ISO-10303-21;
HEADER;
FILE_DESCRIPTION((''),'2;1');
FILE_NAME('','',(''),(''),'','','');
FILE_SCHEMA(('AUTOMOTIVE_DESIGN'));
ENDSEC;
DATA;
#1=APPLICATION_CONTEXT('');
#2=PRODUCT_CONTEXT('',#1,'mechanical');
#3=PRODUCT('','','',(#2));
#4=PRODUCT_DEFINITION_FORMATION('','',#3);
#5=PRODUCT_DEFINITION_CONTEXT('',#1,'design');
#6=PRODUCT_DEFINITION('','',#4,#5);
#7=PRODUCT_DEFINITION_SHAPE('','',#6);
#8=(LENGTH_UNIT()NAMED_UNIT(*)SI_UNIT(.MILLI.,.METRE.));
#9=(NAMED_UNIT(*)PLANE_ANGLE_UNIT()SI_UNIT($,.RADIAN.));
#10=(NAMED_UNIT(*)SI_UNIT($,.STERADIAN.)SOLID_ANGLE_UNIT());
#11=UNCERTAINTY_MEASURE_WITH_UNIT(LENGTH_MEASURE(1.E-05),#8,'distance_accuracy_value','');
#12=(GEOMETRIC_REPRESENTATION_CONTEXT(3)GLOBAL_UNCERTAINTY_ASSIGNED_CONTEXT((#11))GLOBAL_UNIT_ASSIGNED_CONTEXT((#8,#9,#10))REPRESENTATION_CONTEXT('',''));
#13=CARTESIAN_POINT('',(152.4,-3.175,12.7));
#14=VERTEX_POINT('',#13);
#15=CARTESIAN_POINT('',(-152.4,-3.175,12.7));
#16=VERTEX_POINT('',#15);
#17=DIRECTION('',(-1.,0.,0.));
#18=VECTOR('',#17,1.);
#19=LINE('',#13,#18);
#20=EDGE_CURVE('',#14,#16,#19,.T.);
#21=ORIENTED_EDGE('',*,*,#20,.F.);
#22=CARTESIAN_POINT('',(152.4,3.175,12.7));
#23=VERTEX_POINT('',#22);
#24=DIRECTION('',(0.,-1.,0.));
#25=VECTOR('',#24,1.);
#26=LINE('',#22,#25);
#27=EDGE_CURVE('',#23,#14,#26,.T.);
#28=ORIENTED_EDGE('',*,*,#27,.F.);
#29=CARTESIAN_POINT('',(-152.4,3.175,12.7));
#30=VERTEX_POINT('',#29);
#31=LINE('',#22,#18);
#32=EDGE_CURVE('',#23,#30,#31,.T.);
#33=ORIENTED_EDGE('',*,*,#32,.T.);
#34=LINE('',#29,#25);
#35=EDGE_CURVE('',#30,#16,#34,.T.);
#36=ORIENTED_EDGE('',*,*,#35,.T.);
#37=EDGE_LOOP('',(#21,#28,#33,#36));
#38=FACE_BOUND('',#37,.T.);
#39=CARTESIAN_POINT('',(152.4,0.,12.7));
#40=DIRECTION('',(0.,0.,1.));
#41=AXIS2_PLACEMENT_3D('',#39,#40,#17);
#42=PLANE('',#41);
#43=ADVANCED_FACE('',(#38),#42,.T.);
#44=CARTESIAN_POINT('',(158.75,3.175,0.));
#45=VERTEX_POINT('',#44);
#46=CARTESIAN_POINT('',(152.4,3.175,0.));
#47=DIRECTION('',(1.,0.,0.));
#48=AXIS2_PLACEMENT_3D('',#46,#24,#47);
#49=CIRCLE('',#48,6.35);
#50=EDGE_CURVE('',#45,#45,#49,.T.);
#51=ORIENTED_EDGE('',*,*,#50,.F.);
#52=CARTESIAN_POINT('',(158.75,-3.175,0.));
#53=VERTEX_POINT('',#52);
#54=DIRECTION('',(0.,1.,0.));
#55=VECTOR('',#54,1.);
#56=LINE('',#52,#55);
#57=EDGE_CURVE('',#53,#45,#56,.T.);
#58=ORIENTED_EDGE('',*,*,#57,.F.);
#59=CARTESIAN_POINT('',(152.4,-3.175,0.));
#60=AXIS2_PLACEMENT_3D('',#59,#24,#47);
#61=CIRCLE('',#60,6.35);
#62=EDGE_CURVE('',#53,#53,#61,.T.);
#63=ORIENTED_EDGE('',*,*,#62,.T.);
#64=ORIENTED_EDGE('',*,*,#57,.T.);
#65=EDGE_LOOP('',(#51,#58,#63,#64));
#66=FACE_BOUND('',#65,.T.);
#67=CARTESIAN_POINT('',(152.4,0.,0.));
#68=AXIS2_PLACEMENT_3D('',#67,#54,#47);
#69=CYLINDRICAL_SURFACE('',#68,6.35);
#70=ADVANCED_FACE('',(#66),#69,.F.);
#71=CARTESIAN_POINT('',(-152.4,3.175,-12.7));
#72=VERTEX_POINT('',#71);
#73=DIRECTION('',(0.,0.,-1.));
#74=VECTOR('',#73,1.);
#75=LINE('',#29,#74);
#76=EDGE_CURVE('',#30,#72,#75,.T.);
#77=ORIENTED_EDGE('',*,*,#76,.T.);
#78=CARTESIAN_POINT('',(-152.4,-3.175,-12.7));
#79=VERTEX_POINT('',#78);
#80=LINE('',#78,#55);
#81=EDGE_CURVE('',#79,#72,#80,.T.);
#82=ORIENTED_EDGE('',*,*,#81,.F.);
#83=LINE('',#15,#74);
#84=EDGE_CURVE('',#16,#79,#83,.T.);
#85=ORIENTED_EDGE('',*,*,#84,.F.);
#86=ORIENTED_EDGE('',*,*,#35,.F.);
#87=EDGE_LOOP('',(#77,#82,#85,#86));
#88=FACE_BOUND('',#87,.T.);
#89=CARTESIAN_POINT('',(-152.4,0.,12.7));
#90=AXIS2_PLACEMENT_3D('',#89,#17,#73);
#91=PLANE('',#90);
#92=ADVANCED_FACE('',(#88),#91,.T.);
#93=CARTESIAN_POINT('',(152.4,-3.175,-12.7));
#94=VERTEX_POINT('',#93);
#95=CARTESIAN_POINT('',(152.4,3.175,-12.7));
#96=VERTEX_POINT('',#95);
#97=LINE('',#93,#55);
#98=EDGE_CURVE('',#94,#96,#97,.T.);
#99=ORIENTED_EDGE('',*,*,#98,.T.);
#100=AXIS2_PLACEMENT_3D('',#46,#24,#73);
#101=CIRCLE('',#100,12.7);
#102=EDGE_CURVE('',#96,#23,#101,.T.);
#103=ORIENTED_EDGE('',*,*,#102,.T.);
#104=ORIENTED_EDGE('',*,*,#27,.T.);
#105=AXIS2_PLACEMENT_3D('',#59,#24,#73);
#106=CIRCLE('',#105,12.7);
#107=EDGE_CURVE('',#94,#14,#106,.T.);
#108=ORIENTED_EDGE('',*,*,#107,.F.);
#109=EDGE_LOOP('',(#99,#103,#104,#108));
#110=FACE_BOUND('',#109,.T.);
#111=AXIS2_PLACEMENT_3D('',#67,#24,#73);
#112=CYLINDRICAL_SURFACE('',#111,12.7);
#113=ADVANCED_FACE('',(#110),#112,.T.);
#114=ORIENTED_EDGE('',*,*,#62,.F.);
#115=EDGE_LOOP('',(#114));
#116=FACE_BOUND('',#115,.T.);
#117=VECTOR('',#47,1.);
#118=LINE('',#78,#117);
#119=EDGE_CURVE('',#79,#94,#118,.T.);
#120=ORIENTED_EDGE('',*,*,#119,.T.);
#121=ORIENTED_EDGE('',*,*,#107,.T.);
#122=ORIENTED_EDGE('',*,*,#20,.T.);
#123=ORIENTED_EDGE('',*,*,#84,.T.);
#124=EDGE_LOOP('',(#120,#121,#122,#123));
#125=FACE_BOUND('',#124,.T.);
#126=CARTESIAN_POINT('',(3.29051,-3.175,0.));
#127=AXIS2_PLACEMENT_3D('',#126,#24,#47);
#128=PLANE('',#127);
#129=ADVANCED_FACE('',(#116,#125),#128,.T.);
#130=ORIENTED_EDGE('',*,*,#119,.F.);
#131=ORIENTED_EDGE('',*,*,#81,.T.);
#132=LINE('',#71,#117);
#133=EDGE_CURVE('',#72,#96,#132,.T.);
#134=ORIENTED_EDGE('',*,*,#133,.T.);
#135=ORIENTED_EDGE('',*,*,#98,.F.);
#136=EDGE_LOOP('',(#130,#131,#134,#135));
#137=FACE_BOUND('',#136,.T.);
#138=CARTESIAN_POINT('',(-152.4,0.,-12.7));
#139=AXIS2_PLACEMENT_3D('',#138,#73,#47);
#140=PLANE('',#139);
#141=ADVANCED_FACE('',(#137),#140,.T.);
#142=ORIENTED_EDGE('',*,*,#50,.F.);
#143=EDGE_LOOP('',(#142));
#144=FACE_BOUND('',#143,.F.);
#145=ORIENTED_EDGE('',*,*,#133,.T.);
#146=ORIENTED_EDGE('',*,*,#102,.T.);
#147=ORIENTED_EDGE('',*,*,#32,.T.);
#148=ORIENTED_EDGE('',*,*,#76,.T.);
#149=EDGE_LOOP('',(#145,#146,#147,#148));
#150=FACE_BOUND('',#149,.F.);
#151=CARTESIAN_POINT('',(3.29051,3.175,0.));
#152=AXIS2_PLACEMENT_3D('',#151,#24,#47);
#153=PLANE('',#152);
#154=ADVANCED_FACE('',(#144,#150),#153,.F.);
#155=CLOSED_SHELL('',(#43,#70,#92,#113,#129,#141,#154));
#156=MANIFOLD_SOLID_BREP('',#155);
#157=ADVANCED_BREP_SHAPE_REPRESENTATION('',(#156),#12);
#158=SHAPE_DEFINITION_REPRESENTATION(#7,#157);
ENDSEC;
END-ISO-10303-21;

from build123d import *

# Parameters (mm, degrees)
F0_R     = 6.35
F1_DEPTH = 3.175


with BuildPart() as f1:
    # F0 (on Front) → F1 (new body, symmetric)
    with BuildSketch(Plane.XZ):
        with BuildLine():
            ThreePointArc((152.4, -12.7), (165.1, 0), (152.4, 12.7))
            Line((152.4, 12.7), (-152.4, 12.7))
            Line((-152.4, 12.7), (-152.4, -12.7))
            Line((-152.4, -12.7), (152.4, -12.7))
        make_face()
        with Locations((152.4, 0)):
            Circle(F0_R, mode=Mode.SUBTRACT)
    extrude(amount=F1_DEPTH, both=True)


solid = f1.part
